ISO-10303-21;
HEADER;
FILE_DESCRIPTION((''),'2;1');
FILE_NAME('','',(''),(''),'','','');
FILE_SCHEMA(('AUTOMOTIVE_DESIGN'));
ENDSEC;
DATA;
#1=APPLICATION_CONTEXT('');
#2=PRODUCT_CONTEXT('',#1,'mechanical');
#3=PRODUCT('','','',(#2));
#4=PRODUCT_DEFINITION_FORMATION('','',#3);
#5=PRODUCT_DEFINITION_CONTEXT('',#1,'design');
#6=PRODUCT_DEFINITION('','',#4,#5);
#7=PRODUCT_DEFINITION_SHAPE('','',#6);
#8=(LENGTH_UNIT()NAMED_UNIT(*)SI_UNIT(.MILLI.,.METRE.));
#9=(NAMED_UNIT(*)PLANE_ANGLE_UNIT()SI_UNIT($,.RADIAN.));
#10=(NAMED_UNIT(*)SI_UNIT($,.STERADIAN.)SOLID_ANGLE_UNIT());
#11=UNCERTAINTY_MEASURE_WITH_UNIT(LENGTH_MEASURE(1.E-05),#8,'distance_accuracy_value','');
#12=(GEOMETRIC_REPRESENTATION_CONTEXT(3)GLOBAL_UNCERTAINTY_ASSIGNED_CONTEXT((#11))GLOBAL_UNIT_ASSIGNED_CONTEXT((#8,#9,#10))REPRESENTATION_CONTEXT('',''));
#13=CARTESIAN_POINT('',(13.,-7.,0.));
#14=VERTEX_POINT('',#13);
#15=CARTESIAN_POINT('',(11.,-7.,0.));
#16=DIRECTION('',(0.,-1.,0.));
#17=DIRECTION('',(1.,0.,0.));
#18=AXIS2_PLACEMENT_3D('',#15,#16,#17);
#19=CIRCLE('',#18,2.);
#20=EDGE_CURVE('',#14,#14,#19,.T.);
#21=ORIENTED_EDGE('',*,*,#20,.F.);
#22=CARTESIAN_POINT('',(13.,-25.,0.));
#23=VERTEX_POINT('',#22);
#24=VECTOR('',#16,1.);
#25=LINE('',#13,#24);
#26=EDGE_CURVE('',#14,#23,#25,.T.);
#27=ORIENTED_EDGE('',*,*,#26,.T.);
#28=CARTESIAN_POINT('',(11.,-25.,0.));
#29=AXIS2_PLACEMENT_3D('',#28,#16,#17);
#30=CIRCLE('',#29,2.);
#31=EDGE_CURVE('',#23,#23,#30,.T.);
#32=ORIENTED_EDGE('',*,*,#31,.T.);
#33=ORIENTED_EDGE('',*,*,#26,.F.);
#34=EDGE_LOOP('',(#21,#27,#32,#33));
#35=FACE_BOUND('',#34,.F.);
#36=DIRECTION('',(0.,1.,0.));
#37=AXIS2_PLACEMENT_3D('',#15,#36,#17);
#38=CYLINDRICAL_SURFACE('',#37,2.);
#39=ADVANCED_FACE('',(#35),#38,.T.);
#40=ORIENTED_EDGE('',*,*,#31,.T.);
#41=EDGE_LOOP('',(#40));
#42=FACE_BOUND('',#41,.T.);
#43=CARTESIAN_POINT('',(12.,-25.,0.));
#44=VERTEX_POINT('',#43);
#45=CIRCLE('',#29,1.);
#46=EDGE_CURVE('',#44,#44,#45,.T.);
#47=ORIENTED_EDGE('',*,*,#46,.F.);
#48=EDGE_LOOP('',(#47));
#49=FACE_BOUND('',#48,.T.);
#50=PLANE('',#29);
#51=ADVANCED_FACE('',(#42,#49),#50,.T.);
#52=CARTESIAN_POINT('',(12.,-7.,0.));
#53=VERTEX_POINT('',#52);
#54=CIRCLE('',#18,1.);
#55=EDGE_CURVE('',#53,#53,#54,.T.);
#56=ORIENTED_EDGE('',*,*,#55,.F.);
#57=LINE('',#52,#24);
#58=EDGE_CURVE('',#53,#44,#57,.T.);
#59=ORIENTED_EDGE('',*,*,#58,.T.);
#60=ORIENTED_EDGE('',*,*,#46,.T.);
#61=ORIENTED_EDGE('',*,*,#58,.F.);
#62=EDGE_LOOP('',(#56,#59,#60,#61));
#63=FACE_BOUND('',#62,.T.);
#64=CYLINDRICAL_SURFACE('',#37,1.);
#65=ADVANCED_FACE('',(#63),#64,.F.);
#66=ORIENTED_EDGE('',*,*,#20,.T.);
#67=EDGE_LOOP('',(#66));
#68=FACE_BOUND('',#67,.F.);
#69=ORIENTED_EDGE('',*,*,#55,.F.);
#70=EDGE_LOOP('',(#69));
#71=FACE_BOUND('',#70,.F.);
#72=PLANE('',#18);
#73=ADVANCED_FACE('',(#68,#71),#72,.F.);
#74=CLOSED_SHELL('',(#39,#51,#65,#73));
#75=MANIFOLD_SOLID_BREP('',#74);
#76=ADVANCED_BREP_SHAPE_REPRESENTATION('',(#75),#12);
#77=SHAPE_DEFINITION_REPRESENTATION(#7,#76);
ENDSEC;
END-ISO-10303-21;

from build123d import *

# Parameters (mm, degrees)
CYLINDER020_R          = 1
CYLINDER020_DEPTH      = 18
CYLINDER020_ROLL_ANGLE = 90
CYLINDER018_R          = 2
CYLINDER018_DEPTH      = 18
CYLINDER018_ROLL_ANGLE = 90


with BuildPart() as cylinder020:
    # Cylinder020 → Cylinder020 (new body)
    with BuildSketch(Plane.XY):
        Circle(CYLINDER020_R)
    extrude(amount=CYLINDER020_DEPTH)


with BuildPart() as cylinder020_1:
    # Cylinder020 roll: moved
    add(cylinder020.part.rotate(Axis((0, 0, 0), (1, 0, 0)), CYLINDER020_ROLL_ANGLE))


with BuildPart() as cylinder020_2:
    # Cylinder020 placement: moved
    add(cylinder020_1.part.moved(Location((12, -7, 0))))


with BuildPart() as cut005:
    # Cylinder018 → Cylinder018 (new body)
    with BuildSketch(Plane.XY):
        Circle(CYLINDER018_R)
    extrude(amount=CYLINDER018_DEPTH)


with BuildPart() as cut005_1:
    # Cylinder018 roll: moved
    add(cut005.part.rotate(Axis((0, 0, 0), (1, 0, 0)), CYLINDER018_ROLL_ANGLE))


with BuildPart() as cut005_2:
    # Cylinder018 placement: moved
    add(cut005_1.part.moved(Location((12, -7, 0))))

    # Cut005: cut Cylinder020
    add(cylinder020_2.part, mode=Mode.SUBTRACT)


with BuildPart() as cut005_3:
    # Cut005 placement: moved
    add(cut005_2.part.moved(Location((-1, 0, 0))))


solid = cut005_3.part
